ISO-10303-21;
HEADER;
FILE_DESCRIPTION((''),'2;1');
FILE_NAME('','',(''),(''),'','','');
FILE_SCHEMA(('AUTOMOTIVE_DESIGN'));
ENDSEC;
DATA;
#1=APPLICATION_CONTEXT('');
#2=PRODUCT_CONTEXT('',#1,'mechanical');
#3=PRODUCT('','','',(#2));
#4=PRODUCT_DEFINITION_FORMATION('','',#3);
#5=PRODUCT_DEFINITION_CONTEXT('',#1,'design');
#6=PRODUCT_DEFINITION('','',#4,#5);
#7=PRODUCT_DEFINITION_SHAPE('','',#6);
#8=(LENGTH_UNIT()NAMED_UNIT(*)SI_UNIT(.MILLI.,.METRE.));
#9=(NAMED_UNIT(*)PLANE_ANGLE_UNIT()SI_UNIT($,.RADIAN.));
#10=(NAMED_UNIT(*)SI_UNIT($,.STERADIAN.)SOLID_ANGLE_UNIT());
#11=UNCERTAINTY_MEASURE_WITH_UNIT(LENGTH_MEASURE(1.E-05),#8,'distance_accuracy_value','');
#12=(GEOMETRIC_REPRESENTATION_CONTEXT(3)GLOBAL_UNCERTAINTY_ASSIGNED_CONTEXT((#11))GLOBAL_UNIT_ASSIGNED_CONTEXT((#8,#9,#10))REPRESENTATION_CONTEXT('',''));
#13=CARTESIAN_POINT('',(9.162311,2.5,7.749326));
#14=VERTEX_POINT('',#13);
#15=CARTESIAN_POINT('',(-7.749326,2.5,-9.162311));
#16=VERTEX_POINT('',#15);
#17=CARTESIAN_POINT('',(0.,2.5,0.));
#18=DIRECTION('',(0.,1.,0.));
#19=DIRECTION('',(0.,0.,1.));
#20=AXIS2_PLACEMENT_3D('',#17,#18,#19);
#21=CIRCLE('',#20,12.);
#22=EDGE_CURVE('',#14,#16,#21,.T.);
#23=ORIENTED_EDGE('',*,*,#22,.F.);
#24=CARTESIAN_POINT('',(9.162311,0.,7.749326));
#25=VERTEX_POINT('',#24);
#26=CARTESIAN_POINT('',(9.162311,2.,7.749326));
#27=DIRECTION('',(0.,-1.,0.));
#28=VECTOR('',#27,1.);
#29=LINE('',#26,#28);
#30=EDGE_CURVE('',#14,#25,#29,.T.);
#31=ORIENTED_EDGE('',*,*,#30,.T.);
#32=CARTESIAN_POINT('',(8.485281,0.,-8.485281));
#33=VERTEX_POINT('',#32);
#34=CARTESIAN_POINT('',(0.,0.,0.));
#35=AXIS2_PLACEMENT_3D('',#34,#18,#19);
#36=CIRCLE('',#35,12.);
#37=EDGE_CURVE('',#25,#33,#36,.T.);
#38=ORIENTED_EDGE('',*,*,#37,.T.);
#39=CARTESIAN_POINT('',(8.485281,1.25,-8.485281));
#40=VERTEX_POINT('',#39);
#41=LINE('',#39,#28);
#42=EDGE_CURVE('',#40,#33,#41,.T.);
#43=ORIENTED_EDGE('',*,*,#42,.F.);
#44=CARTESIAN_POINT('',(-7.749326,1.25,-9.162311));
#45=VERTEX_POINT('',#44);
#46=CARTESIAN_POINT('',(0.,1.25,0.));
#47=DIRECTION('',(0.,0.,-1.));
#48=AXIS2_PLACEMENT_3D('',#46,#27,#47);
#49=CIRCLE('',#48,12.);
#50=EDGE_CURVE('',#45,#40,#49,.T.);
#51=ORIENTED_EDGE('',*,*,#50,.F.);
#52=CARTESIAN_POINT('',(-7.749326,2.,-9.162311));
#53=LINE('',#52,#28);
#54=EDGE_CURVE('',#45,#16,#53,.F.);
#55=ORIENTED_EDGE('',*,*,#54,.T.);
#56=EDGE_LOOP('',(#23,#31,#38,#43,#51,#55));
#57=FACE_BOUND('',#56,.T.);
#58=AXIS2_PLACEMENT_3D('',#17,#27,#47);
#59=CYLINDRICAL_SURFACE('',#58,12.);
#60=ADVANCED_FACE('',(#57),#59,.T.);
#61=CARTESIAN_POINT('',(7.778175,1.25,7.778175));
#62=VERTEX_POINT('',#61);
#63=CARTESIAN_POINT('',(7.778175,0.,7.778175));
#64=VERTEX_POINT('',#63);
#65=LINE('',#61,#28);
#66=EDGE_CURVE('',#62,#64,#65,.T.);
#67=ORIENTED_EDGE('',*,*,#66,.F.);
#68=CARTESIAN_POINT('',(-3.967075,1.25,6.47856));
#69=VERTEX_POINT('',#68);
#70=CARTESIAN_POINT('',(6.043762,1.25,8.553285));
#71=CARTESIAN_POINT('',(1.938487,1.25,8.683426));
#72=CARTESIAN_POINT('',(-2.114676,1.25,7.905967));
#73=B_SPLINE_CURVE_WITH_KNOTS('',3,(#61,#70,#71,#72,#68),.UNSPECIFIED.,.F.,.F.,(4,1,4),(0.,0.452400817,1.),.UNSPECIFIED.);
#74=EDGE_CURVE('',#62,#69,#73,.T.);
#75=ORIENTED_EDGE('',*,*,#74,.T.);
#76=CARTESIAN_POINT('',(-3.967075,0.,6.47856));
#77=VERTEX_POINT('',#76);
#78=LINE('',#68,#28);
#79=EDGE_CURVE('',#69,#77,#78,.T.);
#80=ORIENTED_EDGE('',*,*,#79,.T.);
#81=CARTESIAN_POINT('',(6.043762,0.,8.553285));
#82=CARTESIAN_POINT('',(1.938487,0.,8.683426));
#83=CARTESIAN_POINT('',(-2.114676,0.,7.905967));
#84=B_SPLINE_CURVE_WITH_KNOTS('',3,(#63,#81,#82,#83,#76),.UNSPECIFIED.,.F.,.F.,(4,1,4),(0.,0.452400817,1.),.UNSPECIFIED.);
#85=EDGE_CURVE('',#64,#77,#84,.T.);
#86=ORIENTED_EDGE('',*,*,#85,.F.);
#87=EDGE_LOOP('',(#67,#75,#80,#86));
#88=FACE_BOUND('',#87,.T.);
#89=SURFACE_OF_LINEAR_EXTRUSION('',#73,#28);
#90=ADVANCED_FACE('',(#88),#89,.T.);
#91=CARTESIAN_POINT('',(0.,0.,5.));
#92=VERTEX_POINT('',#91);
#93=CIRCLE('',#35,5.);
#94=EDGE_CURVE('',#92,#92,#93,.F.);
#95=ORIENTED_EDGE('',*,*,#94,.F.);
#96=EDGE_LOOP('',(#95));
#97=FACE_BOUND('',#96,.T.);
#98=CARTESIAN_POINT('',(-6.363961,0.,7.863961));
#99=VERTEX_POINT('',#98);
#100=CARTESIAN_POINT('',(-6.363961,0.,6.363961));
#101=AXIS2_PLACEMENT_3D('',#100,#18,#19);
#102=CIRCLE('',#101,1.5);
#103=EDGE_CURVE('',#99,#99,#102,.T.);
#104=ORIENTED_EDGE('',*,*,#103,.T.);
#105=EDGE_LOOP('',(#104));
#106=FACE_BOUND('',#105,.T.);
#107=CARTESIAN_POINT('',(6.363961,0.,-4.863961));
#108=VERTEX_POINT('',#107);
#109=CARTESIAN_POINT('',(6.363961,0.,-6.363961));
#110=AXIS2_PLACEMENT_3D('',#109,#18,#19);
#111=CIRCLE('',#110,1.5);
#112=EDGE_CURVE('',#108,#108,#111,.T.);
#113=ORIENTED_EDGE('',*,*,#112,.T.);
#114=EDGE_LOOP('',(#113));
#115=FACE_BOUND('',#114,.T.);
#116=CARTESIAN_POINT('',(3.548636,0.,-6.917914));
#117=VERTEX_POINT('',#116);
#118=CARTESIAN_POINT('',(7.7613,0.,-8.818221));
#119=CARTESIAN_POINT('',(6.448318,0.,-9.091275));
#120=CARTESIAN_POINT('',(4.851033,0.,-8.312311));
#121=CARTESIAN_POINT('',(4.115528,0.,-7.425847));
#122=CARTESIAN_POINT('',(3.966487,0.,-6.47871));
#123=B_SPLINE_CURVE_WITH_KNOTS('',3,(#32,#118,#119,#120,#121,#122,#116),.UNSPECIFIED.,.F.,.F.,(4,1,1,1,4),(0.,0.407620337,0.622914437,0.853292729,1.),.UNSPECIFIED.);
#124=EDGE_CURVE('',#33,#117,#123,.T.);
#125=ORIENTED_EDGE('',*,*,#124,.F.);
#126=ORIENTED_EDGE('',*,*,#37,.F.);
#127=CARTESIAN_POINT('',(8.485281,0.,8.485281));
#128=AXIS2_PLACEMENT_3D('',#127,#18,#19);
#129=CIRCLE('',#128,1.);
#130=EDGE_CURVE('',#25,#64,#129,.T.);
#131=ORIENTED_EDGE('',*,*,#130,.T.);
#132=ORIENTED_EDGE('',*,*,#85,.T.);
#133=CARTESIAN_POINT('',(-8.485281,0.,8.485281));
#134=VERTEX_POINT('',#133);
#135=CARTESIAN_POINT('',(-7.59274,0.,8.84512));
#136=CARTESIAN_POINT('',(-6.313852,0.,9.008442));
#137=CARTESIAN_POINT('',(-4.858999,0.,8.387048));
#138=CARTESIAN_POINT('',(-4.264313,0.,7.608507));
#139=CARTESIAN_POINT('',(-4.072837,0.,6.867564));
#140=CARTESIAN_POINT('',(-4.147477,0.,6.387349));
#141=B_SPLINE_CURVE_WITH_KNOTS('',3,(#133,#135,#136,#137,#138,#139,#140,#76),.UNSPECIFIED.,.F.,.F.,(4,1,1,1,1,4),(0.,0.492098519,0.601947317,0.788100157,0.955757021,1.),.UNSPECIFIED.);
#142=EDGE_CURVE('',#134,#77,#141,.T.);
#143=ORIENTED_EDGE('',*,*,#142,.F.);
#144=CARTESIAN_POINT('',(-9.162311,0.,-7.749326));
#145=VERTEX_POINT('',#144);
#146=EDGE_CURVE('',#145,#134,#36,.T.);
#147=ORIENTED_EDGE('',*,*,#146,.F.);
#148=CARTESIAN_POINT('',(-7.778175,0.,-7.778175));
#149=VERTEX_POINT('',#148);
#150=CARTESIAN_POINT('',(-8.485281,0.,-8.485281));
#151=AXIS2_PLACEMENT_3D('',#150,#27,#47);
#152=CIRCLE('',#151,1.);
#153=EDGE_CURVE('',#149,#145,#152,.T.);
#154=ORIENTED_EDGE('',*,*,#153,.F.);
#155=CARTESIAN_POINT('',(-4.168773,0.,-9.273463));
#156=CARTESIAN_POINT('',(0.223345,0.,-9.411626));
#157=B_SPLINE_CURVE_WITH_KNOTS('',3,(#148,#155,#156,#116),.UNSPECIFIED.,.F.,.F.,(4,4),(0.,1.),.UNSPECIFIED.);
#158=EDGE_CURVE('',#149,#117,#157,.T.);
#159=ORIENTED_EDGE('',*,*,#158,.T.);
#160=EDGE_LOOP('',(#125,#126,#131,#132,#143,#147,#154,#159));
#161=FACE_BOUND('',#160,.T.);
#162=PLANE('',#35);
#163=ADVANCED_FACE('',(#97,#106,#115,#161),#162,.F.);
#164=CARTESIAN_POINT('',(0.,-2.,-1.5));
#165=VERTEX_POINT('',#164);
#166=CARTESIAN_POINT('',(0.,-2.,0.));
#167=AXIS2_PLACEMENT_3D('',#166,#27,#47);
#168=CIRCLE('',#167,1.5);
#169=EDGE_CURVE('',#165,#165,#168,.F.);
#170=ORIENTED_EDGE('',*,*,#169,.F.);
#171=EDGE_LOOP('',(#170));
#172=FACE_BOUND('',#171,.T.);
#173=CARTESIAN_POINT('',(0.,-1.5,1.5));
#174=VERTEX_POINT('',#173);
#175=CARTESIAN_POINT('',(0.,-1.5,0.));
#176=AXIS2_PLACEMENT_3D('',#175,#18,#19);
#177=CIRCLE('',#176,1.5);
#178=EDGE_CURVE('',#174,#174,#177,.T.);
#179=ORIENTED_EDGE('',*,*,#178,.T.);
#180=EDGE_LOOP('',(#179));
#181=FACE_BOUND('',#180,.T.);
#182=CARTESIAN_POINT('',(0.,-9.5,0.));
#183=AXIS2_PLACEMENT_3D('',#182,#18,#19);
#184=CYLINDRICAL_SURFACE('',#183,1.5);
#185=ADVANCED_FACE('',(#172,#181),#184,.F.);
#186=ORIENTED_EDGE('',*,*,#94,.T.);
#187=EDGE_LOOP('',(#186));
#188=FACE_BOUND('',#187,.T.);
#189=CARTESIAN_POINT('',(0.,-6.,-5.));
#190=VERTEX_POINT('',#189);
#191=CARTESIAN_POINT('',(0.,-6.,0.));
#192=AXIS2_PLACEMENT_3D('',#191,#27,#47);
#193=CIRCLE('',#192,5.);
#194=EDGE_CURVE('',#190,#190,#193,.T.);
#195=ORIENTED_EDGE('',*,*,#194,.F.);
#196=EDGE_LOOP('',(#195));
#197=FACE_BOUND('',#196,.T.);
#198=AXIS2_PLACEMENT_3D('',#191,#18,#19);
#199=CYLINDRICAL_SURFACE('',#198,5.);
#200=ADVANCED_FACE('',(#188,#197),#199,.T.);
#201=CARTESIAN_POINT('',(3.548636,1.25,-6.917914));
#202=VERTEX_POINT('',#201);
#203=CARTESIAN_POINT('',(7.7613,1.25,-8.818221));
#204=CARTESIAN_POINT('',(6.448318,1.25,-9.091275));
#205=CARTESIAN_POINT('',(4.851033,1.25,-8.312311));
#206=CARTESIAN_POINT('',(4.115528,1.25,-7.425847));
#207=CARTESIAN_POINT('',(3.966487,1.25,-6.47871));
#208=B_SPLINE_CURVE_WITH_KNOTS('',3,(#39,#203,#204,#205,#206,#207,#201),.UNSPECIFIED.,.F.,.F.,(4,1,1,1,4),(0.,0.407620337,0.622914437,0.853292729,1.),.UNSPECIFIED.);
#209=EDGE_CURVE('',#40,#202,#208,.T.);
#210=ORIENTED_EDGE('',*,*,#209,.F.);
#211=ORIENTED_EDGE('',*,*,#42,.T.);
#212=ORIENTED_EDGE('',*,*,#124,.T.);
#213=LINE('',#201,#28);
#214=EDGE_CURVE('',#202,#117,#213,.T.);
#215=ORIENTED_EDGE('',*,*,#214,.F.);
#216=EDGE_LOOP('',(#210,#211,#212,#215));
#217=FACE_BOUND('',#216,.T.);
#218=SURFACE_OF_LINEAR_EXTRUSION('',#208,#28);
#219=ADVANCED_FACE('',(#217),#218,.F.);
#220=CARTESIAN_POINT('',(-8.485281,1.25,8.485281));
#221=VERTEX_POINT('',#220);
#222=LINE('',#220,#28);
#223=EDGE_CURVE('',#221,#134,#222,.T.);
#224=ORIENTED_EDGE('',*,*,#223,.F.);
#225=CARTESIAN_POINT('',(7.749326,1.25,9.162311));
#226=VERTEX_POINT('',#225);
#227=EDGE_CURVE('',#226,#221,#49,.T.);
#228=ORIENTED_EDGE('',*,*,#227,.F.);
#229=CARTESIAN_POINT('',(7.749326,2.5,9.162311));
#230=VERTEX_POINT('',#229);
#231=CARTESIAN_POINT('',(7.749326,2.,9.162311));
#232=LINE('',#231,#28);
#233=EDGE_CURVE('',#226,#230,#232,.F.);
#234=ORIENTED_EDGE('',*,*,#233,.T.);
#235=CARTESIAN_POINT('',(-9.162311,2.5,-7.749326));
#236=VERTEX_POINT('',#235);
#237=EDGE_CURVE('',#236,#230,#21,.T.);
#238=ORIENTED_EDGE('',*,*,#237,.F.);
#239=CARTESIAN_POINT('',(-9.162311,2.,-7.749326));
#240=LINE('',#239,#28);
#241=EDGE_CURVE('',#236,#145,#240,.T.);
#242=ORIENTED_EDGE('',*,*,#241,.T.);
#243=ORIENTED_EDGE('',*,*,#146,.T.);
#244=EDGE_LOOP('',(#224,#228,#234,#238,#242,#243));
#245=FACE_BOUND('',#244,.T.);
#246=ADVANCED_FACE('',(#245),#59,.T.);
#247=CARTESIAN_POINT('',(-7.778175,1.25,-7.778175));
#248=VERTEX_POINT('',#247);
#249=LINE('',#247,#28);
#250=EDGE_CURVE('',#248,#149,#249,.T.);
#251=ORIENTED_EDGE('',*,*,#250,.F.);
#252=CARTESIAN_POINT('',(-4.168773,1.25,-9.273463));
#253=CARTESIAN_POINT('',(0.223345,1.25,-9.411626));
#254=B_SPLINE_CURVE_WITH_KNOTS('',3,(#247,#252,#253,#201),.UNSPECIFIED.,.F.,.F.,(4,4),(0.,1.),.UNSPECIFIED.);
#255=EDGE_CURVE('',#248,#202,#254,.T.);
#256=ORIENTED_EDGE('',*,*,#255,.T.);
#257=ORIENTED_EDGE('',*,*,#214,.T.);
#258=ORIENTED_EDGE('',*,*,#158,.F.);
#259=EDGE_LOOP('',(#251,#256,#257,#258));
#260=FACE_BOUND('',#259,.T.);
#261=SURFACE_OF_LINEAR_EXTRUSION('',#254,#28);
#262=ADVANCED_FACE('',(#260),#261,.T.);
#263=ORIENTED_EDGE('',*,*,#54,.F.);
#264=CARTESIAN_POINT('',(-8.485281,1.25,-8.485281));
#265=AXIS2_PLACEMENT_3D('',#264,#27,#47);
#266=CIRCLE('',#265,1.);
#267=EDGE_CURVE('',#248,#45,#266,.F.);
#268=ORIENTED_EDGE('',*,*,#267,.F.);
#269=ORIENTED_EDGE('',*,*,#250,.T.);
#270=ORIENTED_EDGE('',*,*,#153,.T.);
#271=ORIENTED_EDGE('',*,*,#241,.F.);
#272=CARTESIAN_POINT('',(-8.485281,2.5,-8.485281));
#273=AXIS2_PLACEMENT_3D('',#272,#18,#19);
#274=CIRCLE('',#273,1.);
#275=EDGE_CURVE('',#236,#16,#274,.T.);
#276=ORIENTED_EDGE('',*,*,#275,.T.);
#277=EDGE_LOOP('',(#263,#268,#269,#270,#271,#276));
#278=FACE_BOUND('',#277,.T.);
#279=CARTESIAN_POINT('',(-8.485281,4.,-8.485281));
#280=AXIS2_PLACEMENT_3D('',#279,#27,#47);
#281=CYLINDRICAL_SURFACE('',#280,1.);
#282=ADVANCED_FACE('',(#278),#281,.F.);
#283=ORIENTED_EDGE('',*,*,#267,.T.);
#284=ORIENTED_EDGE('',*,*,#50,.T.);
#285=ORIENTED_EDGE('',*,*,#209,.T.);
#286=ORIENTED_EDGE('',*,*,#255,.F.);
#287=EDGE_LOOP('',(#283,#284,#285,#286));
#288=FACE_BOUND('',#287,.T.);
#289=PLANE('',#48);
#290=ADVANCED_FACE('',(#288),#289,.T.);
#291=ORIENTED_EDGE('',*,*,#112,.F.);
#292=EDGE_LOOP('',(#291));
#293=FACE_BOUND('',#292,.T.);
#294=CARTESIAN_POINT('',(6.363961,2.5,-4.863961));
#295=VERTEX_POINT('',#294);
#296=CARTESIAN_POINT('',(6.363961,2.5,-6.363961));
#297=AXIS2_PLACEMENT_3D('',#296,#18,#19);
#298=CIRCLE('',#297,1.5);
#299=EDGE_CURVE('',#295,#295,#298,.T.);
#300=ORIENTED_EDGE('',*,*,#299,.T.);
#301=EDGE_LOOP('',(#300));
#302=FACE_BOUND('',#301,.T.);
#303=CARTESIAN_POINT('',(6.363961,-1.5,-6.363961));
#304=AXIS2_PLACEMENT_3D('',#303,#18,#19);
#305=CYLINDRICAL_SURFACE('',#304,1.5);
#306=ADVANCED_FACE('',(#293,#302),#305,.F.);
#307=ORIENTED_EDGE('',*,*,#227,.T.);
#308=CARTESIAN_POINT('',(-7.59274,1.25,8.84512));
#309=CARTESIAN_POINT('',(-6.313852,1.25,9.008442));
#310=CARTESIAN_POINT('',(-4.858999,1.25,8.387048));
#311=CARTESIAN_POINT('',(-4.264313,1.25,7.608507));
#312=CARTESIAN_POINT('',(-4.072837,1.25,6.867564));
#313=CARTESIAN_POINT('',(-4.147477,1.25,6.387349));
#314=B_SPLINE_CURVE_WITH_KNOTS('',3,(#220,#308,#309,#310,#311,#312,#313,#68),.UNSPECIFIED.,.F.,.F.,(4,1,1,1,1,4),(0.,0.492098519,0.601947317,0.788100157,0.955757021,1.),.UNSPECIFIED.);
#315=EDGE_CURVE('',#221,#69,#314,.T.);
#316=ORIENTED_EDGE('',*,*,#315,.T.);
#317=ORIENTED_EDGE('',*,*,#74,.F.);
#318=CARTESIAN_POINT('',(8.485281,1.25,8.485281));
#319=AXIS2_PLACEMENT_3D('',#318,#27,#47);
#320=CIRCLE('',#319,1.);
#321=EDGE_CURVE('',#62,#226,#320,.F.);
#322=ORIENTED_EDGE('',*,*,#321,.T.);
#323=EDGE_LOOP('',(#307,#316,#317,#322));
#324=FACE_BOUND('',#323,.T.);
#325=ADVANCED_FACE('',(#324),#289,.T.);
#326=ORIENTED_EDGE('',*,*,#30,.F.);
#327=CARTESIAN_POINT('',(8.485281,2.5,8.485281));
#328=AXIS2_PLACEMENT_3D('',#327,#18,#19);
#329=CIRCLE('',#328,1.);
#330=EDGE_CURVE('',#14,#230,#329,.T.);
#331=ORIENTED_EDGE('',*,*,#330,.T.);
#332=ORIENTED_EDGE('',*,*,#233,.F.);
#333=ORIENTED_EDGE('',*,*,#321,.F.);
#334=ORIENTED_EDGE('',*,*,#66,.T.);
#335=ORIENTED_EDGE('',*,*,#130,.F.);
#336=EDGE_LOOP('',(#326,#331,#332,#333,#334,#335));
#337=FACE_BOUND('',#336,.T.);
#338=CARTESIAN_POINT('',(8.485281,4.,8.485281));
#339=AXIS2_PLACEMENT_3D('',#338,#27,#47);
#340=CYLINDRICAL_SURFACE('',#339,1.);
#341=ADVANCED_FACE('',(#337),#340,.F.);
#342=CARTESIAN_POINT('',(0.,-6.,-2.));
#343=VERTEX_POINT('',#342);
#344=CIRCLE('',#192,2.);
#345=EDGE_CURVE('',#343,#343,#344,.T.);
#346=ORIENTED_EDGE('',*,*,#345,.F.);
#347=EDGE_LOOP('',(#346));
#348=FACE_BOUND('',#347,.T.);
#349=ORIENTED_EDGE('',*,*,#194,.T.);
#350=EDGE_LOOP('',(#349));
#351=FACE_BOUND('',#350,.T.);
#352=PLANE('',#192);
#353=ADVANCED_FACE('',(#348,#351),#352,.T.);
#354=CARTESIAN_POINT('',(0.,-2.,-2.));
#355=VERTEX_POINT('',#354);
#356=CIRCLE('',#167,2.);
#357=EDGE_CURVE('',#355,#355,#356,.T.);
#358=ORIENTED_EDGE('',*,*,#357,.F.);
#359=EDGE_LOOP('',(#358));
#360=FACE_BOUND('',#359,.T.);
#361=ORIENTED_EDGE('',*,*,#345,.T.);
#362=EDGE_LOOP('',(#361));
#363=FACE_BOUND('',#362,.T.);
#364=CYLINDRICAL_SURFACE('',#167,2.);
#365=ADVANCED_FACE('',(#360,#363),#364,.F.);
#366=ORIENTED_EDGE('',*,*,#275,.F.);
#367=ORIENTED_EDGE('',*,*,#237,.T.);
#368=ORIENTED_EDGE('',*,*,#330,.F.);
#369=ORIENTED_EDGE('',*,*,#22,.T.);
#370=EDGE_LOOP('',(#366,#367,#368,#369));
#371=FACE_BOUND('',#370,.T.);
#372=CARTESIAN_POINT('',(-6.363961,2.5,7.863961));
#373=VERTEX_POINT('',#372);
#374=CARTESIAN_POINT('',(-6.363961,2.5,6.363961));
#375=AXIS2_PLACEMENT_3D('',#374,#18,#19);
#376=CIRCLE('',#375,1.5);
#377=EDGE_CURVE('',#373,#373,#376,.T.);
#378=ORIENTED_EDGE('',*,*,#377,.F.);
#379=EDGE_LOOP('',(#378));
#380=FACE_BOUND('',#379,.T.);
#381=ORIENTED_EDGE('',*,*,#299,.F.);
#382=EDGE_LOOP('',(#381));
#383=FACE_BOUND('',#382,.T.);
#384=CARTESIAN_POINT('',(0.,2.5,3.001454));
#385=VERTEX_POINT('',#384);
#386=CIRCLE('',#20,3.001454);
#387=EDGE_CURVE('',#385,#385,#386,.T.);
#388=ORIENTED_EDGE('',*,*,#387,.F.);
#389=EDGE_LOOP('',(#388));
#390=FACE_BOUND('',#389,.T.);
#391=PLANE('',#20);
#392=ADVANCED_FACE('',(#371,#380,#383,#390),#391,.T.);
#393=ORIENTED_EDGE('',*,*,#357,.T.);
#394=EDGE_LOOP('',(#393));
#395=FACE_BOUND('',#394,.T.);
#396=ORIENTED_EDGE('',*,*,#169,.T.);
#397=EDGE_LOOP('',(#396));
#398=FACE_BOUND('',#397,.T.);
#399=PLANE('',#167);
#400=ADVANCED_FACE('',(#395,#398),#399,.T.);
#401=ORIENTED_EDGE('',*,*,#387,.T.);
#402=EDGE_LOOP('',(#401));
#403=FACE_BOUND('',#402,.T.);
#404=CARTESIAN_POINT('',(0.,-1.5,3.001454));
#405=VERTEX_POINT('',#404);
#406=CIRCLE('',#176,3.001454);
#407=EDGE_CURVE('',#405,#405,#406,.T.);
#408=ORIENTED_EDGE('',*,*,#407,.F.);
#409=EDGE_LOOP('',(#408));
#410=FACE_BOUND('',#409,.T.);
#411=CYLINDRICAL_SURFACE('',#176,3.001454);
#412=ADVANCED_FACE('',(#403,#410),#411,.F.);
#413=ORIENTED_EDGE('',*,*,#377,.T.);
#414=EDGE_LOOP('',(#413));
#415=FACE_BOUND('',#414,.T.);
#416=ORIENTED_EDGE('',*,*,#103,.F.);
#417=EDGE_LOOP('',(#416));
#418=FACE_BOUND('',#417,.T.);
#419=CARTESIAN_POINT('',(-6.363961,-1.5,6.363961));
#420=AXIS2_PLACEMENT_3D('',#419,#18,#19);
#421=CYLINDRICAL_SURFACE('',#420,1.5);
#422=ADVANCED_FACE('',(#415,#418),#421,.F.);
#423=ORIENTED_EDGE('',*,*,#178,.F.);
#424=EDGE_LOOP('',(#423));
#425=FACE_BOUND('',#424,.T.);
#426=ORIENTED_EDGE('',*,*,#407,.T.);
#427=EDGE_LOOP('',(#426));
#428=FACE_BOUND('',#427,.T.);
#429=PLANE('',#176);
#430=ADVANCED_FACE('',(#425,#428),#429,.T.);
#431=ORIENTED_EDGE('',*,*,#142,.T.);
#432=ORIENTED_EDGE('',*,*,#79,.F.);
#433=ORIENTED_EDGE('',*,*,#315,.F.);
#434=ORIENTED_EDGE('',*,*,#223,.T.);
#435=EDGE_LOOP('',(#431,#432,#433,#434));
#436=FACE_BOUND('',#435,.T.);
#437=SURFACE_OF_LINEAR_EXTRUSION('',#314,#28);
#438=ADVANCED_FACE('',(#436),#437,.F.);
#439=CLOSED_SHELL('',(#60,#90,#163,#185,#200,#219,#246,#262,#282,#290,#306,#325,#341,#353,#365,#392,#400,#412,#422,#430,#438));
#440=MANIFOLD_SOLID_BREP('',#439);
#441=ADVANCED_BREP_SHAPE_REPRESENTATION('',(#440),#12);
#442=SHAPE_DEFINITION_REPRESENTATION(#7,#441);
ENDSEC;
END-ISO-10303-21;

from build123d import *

# Parameters (mm, degrees)
CROQUIS1_R              = 12
SALIENTE_EXTRUIR1_DEPTH = 2.5
CROQUIS3_R              = 5
SALIENTE_EXTRUIR2_DEPTH = 6
CROQUIS2_R              = 3.001453564
CORTAR_EXTRUIR1_DEPTH   = 4
CROQUIS4_R              = 1.5
CORTAR_EXTRUIR2_DEPTH   = 8
CROQUIS5_R              = 2
CORTAR_EXTRUIR6_DEPTH   = 4
CROQUIS6_R              = 1.5
CORTAR_EXTRUIR7_DEPTH   = 4
CROQUIS7_R              = 1
CORTAR_EXTRUIR8_DEPTH   = 4
CORTAR_EXTRUIR9_DEPTH   = 1.25


with BuildPart() as part:
    # Croquis1 → Saliente-Extruir1 (new body)
    with BuildSketch(Plane(origin=(0, 0, 0), x_dir=(1, 0, 0), z_dir=(0, 1, 0))):
        Circle(CROQUIS1_R)
    extrude(amount=SALIENTE_EXTRUIR1_DEPTH)

    # Croquis3 → Saliente-Extruir2 (add)
    with BuildSketch(Plane.XZ):
        Circle(CROQUIS3_R)
    extrude(amount=SALIENTE_EXTRUIR2_DEPTH)

    # Croquis2 → Cortar-Extruir1 (cut)
    with BuildSketch(Plane(origin=(0, 2.5, 0), x_dir=(1, 0, 0), z_dir=(0, 1, 0))):
        Circle(CROQUIS2_R)
    extrude(amount=-CORTAR_EXTRUIR1_DEPTH, mode=Mode.SUBTRACT)

    # Croquis4 → Cortar-Extruir2 (cut)
    with BuildSketch(Plane(origin=(0, -1.5, 0), x_dir=(1, 0, 0), z_dir=(0, 1, 0))):
        Circle(CROQUIS4_R)
    extrude(amount=-CORTAR_EXTRUIR2_DEPTH, mode=Mode.SUBTRACT)

    # Croquis5 → Cortar-Extruir6 (cut)
    with BuildSketch(Plane.XZ.offset(6)):
        Circle(CROQUIS5_R)
    extrude(amount=-CORTAR_EXTRUIR6_DEPTH, mode=Mode.SUBTRACT)

    # Croquis6 → Cortar-Extruir7 (cut)
    with BuildSketch(Plane(origin=(0, 2.5, 0), x_dir=(1, 0, 0), z_dir=(0, 1, 0))):
        with Locations((6.363961031, 6.363961031)):
            Circle(CROQUIS6_R)
        with Locations((-6.363961031, -6.363961031)):
            Circle(CROQUIS6_R)
    extrude(amount=-CORTAR_EXTRUIR7_DEPTH, mode=Mode.SUBTRACT)

    # Croquis7 → Cortar-Extruir8 (cut)
    with BuildSketch(Plane.XZ):
        with Locations((8.485281374, 8.485281374)):
            Circle(CROQUIS7_R)
        with Locations((-8.485281374, -8.485281374)):
            Circle(CROQUIS7_R)
    extrude(amount=-CORTAR_EXTRUIR8_DEPTH, mode=Mode.SUBTRACT)

    # Croquis8 → Cortar-Extruir9 (cut)
    with BuildSketch(Plane.XZ):
        with BuildLine():
            ThreePointArc((7.778174593, 7.778174593), (7.485498506, 8.464443516), (7.749325885, 9.162311298))
            ThreePointArc((7.749325885, 9.162311298), (-0.5, 11.989578808), (-8.485281374, 8.485281374))
            add(Edge.make_bspline(
                [(-8.485281374, 8.485281374), (-7.592740334, 8.845120344), (-6.313852411, 9.008442263), (-4.858999126, 8.387047865), (-4.264313018, 7.608507158), (-4.072837383, 6.86756437), (-4.147476561, 6.387348921), (-3.967074672, 6.478559767)],
                knots=[0, 0, 0, 0, 0.492098519, 0.601947317, 0.788100157, 0.955757021, 1, 1, 1, 1], degree=3))
            add(Edge.make_bspline(
                [(7.778174593, 7.778174593), (6.043762471, 8.553284771), (1.93848679, 8.683425804), (-2.11467577, 7.905967318), (-3.967074672, 6.478559767)],
                knots=[0, 0, 0, 0, 0.452400817, 1, 1, 1, 1], degree=3))
        make_face()
        with BuildLine():
            ThreePointArc((-7.749325885, -9.162311298), (0.5, -11.989578808), (8.485281374, -8.485281374))
            add(Edge.make_bspline(
                [(8.485281374, -8.485281374), (7.761300195, -8.818220731), (6.448317824, -9.091275119), (4.851033429, -8.31231131), (4.115527792, -7.425847437), (3.966487119, -6.478710331), (3.548635711, -6.917914395)],
                knots=[0, 0, 0, 0, 0.407620337, 0.622914437, 0.853292729, 1, 1, 1, 1], degree=3))
            add(Edge.make_bspline(
                [(-7.778174593, -7.778174593), (-4.168772685, -9.273462944), (0.223344673, -9.411626111), (3.548635711, -6.917914395)],
                knots=[0, 0, 0, 0, 1, 1, 1, 1], degree=3))
            ThreePointArc((-7.778174593, -7.778174593), (-7.485498506, -8.464443516), (-7.749325885, -9.162311298))
        make_face()
    extrude(amount=-CORTAR_EXTRUIR9_DEPTH, mode=Mode.SUBTRACT)


solid = part.part
